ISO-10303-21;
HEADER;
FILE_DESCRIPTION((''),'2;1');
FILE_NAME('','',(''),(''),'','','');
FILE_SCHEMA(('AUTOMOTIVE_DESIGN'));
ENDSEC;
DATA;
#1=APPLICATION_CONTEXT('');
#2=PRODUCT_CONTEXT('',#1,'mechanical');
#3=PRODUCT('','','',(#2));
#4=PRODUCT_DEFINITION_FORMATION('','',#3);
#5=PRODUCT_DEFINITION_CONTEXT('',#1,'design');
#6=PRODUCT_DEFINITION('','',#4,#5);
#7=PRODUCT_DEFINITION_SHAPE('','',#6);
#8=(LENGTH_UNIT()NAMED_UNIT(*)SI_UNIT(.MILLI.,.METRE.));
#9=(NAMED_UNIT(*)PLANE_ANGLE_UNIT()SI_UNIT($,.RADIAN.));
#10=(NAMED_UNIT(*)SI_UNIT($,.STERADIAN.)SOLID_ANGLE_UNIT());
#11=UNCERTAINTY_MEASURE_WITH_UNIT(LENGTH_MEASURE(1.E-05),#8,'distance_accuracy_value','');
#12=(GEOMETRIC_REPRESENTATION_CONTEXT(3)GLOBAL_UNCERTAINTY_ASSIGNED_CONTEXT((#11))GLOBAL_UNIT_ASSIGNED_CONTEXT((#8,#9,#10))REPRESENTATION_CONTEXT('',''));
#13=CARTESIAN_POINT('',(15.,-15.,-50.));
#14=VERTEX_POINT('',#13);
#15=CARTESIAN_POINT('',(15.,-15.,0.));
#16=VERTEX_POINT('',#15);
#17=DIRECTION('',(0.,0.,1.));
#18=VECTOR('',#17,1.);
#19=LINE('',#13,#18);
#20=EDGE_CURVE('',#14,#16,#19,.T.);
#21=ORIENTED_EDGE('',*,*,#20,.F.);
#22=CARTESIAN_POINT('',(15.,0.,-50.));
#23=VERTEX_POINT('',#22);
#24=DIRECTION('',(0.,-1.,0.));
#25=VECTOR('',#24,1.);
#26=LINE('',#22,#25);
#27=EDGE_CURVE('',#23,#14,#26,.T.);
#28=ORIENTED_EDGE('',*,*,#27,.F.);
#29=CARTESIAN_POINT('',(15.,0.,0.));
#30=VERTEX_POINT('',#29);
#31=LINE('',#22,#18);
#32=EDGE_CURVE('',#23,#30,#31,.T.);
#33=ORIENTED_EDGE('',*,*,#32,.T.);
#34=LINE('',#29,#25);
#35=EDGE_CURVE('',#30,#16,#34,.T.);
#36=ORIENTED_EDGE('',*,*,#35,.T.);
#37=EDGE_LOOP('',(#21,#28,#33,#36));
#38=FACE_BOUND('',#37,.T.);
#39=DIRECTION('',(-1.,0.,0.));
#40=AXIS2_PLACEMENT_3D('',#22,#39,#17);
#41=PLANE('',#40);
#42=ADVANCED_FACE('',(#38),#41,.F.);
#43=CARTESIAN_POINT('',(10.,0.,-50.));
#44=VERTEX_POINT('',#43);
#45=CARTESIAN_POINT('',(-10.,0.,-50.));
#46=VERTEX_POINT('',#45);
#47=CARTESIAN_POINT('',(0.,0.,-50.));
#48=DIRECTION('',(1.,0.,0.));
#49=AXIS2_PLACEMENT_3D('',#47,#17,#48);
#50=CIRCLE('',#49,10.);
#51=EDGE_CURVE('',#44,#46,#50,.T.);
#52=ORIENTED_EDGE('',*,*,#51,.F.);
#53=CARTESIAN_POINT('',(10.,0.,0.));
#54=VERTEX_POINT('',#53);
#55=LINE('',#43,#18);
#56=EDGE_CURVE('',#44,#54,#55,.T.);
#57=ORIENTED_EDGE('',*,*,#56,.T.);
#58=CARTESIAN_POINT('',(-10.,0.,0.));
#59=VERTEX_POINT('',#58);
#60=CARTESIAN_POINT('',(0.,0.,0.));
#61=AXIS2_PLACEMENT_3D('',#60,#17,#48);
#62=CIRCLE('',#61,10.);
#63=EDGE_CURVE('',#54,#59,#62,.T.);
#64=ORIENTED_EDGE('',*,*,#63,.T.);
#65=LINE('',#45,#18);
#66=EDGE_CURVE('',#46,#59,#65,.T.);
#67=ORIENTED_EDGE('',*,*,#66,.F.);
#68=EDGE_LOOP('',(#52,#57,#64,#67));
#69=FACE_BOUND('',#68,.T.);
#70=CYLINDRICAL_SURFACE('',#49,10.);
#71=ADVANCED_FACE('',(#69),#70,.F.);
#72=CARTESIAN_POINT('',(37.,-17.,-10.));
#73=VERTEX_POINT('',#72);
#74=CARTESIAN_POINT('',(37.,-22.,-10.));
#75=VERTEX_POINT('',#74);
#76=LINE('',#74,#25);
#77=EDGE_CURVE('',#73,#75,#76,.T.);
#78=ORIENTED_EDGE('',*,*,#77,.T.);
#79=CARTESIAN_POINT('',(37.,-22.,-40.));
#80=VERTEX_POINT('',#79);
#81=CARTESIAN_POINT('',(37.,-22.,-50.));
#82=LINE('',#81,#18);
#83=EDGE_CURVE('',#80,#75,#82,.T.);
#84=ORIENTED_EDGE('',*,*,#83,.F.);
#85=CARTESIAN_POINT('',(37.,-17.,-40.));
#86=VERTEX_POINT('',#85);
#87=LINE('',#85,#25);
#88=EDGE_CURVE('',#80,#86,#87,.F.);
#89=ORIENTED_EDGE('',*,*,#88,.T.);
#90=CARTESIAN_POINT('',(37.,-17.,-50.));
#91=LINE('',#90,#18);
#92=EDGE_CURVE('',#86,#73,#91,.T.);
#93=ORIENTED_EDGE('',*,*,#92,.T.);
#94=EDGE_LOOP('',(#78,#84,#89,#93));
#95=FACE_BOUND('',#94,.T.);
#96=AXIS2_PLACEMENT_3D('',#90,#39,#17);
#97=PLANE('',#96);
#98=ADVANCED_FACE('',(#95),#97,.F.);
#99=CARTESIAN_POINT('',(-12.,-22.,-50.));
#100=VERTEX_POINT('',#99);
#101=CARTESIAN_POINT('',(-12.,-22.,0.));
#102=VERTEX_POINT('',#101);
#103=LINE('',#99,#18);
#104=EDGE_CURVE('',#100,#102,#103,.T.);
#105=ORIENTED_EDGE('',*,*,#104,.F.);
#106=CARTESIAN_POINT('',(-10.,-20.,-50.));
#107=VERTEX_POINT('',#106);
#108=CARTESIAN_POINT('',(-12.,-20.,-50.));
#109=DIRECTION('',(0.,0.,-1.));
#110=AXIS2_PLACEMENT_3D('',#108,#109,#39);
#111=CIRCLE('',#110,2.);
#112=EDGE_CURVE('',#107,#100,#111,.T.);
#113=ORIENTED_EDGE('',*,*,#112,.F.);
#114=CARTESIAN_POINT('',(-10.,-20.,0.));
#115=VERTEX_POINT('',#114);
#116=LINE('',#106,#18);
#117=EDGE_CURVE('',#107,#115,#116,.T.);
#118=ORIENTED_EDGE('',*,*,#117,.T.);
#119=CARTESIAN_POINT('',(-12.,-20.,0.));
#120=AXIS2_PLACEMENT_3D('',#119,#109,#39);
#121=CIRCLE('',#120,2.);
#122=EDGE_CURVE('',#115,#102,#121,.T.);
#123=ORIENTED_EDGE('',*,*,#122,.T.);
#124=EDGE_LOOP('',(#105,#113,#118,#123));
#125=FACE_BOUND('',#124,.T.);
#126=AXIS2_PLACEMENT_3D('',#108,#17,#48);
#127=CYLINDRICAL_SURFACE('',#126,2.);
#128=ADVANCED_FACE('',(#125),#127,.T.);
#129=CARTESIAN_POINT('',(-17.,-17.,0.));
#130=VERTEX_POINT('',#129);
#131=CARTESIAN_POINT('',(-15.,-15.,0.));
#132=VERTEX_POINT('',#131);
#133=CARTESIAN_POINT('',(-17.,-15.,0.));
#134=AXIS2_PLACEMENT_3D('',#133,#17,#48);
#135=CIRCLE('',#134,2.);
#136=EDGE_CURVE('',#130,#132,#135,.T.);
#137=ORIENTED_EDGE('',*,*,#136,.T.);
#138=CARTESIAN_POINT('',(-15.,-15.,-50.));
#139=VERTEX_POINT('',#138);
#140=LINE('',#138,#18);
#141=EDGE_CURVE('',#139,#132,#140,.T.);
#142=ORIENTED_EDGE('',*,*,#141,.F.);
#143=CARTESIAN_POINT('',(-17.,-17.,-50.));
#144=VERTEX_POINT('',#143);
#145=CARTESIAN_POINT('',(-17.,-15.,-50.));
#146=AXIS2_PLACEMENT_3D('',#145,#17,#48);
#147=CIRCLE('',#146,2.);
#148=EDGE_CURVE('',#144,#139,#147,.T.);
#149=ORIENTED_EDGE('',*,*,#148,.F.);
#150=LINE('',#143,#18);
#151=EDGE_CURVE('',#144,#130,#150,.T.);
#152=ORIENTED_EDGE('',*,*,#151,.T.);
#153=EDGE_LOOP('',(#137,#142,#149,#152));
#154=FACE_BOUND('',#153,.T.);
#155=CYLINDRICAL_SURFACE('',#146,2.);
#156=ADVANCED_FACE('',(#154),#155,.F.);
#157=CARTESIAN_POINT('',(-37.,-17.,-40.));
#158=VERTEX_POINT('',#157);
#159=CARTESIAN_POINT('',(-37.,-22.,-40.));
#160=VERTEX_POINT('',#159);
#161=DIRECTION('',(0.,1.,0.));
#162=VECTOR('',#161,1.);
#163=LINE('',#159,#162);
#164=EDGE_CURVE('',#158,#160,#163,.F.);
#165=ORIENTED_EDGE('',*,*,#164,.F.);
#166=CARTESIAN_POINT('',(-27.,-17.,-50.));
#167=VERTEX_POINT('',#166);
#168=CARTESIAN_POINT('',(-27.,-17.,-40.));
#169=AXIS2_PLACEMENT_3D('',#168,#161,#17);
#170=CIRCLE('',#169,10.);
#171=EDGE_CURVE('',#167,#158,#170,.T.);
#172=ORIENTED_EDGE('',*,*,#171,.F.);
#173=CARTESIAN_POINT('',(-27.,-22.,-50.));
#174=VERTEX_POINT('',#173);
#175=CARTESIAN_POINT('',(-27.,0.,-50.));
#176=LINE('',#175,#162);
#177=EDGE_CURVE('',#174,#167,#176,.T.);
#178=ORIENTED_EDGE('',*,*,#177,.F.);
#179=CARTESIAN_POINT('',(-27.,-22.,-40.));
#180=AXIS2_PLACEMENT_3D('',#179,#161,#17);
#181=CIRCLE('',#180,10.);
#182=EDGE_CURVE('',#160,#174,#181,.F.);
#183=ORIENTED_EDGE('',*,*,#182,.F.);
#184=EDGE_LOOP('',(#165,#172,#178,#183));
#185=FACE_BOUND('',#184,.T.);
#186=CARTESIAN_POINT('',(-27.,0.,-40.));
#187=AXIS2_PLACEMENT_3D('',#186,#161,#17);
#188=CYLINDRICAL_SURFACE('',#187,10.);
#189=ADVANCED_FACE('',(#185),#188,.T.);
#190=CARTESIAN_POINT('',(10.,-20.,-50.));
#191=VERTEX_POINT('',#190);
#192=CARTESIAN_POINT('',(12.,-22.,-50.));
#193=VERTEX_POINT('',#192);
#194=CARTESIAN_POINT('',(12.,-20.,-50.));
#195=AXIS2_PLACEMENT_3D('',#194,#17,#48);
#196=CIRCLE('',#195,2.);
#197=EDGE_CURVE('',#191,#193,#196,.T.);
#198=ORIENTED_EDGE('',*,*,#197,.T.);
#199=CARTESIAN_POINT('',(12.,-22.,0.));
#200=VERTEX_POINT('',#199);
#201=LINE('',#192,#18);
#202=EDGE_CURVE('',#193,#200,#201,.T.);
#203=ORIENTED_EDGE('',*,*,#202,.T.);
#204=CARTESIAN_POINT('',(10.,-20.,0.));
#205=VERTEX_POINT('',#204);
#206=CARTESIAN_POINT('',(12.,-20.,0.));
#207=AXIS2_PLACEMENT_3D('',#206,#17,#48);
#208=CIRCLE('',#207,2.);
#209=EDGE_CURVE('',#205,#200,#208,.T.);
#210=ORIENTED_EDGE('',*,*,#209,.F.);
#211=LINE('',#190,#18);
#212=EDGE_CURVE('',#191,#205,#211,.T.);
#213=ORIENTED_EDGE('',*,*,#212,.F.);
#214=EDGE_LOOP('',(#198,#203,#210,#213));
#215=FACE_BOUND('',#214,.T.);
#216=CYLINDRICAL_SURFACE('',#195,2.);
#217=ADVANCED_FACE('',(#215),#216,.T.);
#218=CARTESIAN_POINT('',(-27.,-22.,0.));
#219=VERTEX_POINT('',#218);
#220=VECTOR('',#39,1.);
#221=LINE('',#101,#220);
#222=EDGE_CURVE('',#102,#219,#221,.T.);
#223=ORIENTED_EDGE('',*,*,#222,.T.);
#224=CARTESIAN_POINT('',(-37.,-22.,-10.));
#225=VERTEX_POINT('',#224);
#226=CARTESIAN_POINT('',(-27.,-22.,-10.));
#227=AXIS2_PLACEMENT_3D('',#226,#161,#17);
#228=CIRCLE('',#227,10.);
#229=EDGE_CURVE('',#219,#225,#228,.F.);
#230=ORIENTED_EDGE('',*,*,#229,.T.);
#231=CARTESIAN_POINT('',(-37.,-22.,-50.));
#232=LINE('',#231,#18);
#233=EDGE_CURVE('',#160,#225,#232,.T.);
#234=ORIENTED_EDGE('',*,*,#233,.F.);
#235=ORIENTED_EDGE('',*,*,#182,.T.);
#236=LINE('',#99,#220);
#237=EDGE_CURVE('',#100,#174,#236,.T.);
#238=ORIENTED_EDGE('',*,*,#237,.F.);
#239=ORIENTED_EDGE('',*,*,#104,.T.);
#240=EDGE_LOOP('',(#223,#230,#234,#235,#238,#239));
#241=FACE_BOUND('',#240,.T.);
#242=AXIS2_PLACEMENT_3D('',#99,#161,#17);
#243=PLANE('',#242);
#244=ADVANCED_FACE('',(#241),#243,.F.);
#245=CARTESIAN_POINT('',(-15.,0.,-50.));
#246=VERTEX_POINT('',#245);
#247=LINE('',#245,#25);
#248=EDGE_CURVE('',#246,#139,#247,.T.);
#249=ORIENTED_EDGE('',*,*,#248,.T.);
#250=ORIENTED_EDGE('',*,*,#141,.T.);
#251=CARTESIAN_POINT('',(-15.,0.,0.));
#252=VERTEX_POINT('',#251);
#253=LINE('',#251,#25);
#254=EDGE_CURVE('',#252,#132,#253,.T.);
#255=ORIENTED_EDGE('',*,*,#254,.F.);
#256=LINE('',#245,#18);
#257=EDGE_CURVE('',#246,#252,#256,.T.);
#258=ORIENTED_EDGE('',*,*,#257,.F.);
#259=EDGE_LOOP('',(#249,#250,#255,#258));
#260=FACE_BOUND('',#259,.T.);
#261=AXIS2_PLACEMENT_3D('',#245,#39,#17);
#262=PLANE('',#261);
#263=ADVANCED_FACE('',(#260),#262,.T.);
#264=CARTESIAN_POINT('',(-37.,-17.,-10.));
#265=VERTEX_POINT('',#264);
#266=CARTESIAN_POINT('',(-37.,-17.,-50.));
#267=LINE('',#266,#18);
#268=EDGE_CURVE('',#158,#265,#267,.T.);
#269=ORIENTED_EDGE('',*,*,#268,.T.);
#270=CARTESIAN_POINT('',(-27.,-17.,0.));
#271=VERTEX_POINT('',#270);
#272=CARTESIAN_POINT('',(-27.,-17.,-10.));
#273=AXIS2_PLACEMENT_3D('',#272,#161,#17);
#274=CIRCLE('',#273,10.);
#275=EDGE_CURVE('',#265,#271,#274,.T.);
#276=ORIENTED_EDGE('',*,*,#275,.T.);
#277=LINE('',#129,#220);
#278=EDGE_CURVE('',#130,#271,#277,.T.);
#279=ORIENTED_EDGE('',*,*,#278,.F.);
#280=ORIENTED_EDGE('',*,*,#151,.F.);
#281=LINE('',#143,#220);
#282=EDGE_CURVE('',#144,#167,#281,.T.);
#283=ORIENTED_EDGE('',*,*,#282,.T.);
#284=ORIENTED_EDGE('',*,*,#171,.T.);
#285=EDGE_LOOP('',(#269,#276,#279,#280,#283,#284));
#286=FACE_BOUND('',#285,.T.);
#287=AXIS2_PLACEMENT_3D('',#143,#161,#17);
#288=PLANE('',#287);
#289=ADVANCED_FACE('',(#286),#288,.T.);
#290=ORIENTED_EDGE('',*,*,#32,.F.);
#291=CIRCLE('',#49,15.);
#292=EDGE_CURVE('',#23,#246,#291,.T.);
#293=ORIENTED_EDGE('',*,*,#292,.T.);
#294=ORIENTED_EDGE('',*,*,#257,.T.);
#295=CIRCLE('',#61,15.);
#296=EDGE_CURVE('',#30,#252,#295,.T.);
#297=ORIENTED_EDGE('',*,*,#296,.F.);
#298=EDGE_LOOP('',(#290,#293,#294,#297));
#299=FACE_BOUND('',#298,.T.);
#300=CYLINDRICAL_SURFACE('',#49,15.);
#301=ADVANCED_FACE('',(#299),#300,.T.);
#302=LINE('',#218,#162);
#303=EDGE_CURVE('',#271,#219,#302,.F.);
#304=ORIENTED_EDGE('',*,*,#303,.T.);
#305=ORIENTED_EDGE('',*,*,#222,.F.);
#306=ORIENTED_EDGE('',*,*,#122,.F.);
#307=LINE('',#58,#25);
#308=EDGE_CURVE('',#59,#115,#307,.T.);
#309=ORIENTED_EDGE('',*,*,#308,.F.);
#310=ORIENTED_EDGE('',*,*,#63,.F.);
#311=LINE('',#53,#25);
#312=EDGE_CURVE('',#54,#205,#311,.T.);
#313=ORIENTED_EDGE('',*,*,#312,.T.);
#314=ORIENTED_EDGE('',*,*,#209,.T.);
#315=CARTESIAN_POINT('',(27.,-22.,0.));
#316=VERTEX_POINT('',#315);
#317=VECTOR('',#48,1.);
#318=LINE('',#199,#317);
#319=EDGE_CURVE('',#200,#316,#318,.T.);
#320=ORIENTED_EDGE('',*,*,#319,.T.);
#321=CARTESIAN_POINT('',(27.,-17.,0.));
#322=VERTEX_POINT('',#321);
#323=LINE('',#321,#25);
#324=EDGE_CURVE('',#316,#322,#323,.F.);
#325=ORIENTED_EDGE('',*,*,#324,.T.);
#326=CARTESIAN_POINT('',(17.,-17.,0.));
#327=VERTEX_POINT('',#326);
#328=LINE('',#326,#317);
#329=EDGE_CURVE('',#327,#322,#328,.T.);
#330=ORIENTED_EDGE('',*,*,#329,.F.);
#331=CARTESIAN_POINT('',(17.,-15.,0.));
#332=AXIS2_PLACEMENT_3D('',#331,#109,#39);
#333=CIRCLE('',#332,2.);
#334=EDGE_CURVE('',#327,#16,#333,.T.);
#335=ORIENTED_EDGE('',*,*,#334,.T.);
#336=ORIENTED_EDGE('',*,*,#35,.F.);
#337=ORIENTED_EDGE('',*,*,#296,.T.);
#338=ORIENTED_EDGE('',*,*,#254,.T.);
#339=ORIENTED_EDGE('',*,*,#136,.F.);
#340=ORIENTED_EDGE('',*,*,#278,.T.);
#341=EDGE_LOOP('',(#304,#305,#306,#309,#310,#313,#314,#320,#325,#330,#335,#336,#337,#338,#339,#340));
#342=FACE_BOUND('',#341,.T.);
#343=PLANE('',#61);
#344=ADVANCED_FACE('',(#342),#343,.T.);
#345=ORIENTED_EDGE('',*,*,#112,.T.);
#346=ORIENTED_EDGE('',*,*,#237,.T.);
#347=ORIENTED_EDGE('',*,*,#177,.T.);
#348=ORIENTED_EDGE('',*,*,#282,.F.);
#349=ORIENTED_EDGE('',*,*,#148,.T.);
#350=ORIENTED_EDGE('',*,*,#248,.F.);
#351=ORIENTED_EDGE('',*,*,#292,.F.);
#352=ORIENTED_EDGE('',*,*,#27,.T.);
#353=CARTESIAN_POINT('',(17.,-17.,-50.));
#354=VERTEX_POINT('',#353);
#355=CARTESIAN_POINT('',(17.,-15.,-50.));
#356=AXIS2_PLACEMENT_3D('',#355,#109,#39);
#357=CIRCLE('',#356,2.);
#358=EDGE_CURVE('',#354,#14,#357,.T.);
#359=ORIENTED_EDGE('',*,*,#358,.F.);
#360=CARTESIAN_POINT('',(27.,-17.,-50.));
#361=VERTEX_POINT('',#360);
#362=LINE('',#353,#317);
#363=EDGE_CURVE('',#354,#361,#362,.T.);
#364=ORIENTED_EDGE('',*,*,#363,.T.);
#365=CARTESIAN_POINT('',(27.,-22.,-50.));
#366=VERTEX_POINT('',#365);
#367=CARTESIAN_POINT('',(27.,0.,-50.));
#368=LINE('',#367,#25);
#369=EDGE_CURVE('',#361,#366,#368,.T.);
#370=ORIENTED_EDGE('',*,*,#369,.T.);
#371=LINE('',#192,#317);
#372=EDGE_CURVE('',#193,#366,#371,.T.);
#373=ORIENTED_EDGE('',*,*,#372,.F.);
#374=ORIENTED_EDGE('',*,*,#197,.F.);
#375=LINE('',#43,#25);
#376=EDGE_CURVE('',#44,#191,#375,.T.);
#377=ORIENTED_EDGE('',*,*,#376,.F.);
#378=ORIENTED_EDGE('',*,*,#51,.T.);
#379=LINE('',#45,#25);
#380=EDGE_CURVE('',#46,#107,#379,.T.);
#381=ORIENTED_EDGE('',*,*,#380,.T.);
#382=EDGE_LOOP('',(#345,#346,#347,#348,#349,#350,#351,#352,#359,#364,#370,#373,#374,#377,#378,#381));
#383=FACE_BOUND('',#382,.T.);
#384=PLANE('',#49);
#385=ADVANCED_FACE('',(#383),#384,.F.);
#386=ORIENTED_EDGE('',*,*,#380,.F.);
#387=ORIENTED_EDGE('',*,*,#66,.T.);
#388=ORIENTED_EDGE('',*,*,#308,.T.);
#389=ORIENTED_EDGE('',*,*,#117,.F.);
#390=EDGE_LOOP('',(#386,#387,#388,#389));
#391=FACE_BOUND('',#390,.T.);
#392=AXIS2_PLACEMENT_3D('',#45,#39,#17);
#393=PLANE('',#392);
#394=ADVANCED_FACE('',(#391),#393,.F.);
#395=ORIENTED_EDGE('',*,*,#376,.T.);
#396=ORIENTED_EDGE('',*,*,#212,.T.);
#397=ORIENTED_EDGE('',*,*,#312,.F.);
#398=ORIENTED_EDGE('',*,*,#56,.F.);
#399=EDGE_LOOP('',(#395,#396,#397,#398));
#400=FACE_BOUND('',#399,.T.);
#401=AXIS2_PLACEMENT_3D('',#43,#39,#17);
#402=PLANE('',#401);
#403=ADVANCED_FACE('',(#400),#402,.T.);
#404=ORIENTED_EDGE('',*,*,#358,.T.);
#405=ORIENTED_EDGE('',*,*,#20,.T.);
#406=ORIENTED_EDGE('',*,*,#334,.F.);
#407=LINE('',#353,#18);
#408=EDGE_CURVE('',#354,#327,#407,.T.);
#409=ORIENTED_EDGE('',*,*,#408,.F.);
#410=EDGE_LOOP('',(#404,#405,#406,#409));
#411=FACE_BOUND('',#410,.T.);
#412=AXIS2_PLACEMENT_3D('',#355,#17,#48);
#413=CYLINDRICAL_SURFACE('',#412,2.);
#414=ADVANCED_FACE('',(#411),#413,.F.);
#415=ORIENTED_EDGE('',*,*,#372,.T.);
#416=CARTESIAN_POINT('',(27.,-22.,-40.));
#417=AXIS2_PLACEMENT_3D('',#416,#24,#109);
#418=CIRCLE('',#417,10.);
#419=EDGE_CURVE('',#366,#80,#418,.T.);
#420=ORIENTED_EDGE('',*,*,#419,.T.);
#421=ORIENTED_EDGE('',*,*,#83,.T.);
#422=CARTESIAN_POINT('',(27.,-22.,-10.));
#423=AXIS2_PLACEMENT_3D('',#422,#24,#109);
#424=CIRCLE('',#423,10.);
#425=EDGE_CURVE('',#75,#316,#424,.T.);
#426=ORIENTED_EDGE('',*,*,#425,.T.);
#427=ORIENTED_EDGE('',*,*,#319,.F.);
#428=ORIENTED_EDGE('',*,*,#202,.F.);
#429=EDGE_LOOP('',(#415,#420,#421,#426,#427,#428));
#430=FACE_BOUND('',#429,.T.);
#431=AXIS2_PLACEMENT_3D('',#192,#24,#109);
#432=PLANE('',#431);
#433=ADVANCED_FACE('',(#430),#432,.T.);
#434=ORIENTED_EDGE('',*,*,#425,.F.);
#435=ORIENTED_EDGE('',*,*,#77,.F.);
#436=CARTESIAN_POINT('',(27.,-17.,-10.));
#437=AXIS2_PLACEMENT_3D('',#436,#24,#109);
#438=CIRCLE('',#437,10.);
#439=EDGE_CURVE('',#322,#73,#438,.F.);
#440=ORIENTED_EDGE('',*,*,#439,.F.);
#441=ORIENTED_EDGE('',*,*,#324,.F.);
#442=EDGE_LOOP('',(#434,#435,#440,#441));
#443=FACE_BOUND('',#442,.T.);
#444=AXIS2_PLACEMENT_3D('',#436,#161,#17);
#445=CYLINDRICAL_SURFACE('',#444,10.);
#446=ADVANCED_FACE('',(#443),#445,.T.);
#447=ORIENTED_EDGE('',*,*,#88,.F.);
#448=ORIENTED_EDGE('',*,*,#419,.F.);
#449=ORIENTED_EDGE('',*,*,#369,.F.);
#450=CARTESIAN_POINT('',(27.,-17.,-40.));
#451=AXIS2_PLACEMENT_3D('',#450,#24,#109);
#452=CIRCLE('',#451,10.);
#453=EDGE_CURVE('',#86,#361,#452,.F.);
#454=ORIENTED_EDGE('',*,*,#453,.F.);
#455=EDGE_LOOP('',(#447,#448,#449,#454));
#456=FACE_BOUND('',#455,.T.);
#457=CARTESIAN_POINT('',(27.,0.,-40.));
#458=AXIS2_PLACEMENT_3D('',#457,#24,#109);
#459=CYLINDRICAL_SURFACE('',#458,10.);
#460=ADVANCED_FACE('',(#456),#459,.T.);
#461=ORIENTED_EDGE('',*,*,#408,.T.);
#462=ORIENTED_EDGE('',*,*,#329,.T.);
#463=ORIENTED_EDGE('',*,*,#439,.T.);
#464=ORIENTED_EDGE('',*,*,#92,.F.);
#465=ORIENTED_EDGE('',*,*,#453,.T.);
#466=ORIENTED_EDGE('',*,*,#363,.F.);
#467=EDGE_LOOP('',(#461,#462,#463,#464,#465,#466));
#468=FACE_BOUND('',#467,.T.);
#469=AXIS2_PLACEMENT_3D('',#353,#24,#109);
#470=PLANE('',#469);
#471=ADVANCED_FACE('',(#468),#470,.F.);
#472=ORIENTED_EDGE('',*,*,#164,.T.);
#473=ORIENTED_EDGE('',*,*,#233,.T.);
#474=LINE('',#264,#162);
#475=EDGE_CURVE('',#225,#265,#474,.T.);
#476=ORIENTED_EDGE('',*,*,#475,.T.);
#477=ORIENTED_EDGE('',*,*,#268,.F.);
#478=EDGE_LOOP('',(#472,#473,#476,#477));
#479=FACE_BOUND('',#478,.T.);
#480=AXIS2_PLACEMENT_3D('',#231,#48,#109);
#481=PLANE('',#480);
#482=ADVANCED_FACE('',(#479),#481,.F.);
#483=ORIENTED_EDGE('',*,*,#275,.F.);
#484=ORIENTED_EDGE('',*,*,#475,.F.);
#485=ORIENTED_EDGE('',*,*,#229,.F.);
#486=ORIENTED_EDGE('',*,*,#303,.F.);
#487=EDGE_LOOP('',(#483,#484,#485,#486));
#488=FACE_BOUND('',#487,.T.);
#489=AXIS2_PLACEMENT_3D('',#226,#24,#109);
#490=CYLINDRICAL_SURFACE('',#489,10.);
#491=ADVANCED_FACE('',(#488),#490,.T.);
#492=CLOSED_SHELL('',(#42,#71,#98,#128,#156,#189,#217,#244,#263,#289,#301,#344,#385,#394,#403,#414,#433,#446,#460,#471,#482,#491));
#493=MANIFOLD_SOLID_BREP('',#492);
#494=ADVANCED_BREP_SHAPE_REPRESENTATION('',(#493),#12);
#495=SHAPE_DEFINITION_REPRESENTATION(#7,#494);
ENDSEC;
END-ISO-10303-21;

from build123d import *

# Parameters (mm, degrees)
BOSS_EXTRUDE4_DEPTH = 50
FILLET1_R           = 10


with BuildPart() as part:
    # Sketch6 → Boss-Extrude4 (new body)
    with BuildSketch(Plane.XY):
        with BuildLine():
            Line((10, 0), (10, -20))
            ThreePointArc((10, -20), (10.585786438, -21.414213562), (12, -22))
            Line((12, -22), (37, -22))
            Line((37, -22), (37, -17))
            Line((37, -17), (17, -17))
            ThreePointArc((17, -17), (15.585786438, -16.414213562), (15, -15))
            Line((15, -15), (15, 0))
            ThreePointArc((15, 0), (0, 15), (-15, 0))
            Line((-15, 0), (-15, -15))
            ThreePointArc((-15, -15), (-15.585786438, -16.414213562), (-17, -17))
            Line((-17, -17), (-37, -17))
            Line((-37, -17), (-37, -22))
            Line((-37, -22), (-12, -22))
            ThreePointArc((-12, -22), (-10.585786438, -21.414213562), (-10, -20))
            Line((-10, -20), (-10, 0))
            ThreePointArc((-10, 0), (0, 10), (10, 0))
        make_face()
    extrude(amount=-BOSS_EXTRUDE4_DEPTH)

    # Fillet1
    fillet1_edges = [part.edges().sort_by_distance(p)[0] for p in [
        (37, -19.5, 0),
        (-37, -19.5, 0),
        (-37, -19.5, -50),
        (37, -19.5, -50),
    ]]
    fillet(fillet1_edges, radius=FILLET1_R)


solid = part.part
